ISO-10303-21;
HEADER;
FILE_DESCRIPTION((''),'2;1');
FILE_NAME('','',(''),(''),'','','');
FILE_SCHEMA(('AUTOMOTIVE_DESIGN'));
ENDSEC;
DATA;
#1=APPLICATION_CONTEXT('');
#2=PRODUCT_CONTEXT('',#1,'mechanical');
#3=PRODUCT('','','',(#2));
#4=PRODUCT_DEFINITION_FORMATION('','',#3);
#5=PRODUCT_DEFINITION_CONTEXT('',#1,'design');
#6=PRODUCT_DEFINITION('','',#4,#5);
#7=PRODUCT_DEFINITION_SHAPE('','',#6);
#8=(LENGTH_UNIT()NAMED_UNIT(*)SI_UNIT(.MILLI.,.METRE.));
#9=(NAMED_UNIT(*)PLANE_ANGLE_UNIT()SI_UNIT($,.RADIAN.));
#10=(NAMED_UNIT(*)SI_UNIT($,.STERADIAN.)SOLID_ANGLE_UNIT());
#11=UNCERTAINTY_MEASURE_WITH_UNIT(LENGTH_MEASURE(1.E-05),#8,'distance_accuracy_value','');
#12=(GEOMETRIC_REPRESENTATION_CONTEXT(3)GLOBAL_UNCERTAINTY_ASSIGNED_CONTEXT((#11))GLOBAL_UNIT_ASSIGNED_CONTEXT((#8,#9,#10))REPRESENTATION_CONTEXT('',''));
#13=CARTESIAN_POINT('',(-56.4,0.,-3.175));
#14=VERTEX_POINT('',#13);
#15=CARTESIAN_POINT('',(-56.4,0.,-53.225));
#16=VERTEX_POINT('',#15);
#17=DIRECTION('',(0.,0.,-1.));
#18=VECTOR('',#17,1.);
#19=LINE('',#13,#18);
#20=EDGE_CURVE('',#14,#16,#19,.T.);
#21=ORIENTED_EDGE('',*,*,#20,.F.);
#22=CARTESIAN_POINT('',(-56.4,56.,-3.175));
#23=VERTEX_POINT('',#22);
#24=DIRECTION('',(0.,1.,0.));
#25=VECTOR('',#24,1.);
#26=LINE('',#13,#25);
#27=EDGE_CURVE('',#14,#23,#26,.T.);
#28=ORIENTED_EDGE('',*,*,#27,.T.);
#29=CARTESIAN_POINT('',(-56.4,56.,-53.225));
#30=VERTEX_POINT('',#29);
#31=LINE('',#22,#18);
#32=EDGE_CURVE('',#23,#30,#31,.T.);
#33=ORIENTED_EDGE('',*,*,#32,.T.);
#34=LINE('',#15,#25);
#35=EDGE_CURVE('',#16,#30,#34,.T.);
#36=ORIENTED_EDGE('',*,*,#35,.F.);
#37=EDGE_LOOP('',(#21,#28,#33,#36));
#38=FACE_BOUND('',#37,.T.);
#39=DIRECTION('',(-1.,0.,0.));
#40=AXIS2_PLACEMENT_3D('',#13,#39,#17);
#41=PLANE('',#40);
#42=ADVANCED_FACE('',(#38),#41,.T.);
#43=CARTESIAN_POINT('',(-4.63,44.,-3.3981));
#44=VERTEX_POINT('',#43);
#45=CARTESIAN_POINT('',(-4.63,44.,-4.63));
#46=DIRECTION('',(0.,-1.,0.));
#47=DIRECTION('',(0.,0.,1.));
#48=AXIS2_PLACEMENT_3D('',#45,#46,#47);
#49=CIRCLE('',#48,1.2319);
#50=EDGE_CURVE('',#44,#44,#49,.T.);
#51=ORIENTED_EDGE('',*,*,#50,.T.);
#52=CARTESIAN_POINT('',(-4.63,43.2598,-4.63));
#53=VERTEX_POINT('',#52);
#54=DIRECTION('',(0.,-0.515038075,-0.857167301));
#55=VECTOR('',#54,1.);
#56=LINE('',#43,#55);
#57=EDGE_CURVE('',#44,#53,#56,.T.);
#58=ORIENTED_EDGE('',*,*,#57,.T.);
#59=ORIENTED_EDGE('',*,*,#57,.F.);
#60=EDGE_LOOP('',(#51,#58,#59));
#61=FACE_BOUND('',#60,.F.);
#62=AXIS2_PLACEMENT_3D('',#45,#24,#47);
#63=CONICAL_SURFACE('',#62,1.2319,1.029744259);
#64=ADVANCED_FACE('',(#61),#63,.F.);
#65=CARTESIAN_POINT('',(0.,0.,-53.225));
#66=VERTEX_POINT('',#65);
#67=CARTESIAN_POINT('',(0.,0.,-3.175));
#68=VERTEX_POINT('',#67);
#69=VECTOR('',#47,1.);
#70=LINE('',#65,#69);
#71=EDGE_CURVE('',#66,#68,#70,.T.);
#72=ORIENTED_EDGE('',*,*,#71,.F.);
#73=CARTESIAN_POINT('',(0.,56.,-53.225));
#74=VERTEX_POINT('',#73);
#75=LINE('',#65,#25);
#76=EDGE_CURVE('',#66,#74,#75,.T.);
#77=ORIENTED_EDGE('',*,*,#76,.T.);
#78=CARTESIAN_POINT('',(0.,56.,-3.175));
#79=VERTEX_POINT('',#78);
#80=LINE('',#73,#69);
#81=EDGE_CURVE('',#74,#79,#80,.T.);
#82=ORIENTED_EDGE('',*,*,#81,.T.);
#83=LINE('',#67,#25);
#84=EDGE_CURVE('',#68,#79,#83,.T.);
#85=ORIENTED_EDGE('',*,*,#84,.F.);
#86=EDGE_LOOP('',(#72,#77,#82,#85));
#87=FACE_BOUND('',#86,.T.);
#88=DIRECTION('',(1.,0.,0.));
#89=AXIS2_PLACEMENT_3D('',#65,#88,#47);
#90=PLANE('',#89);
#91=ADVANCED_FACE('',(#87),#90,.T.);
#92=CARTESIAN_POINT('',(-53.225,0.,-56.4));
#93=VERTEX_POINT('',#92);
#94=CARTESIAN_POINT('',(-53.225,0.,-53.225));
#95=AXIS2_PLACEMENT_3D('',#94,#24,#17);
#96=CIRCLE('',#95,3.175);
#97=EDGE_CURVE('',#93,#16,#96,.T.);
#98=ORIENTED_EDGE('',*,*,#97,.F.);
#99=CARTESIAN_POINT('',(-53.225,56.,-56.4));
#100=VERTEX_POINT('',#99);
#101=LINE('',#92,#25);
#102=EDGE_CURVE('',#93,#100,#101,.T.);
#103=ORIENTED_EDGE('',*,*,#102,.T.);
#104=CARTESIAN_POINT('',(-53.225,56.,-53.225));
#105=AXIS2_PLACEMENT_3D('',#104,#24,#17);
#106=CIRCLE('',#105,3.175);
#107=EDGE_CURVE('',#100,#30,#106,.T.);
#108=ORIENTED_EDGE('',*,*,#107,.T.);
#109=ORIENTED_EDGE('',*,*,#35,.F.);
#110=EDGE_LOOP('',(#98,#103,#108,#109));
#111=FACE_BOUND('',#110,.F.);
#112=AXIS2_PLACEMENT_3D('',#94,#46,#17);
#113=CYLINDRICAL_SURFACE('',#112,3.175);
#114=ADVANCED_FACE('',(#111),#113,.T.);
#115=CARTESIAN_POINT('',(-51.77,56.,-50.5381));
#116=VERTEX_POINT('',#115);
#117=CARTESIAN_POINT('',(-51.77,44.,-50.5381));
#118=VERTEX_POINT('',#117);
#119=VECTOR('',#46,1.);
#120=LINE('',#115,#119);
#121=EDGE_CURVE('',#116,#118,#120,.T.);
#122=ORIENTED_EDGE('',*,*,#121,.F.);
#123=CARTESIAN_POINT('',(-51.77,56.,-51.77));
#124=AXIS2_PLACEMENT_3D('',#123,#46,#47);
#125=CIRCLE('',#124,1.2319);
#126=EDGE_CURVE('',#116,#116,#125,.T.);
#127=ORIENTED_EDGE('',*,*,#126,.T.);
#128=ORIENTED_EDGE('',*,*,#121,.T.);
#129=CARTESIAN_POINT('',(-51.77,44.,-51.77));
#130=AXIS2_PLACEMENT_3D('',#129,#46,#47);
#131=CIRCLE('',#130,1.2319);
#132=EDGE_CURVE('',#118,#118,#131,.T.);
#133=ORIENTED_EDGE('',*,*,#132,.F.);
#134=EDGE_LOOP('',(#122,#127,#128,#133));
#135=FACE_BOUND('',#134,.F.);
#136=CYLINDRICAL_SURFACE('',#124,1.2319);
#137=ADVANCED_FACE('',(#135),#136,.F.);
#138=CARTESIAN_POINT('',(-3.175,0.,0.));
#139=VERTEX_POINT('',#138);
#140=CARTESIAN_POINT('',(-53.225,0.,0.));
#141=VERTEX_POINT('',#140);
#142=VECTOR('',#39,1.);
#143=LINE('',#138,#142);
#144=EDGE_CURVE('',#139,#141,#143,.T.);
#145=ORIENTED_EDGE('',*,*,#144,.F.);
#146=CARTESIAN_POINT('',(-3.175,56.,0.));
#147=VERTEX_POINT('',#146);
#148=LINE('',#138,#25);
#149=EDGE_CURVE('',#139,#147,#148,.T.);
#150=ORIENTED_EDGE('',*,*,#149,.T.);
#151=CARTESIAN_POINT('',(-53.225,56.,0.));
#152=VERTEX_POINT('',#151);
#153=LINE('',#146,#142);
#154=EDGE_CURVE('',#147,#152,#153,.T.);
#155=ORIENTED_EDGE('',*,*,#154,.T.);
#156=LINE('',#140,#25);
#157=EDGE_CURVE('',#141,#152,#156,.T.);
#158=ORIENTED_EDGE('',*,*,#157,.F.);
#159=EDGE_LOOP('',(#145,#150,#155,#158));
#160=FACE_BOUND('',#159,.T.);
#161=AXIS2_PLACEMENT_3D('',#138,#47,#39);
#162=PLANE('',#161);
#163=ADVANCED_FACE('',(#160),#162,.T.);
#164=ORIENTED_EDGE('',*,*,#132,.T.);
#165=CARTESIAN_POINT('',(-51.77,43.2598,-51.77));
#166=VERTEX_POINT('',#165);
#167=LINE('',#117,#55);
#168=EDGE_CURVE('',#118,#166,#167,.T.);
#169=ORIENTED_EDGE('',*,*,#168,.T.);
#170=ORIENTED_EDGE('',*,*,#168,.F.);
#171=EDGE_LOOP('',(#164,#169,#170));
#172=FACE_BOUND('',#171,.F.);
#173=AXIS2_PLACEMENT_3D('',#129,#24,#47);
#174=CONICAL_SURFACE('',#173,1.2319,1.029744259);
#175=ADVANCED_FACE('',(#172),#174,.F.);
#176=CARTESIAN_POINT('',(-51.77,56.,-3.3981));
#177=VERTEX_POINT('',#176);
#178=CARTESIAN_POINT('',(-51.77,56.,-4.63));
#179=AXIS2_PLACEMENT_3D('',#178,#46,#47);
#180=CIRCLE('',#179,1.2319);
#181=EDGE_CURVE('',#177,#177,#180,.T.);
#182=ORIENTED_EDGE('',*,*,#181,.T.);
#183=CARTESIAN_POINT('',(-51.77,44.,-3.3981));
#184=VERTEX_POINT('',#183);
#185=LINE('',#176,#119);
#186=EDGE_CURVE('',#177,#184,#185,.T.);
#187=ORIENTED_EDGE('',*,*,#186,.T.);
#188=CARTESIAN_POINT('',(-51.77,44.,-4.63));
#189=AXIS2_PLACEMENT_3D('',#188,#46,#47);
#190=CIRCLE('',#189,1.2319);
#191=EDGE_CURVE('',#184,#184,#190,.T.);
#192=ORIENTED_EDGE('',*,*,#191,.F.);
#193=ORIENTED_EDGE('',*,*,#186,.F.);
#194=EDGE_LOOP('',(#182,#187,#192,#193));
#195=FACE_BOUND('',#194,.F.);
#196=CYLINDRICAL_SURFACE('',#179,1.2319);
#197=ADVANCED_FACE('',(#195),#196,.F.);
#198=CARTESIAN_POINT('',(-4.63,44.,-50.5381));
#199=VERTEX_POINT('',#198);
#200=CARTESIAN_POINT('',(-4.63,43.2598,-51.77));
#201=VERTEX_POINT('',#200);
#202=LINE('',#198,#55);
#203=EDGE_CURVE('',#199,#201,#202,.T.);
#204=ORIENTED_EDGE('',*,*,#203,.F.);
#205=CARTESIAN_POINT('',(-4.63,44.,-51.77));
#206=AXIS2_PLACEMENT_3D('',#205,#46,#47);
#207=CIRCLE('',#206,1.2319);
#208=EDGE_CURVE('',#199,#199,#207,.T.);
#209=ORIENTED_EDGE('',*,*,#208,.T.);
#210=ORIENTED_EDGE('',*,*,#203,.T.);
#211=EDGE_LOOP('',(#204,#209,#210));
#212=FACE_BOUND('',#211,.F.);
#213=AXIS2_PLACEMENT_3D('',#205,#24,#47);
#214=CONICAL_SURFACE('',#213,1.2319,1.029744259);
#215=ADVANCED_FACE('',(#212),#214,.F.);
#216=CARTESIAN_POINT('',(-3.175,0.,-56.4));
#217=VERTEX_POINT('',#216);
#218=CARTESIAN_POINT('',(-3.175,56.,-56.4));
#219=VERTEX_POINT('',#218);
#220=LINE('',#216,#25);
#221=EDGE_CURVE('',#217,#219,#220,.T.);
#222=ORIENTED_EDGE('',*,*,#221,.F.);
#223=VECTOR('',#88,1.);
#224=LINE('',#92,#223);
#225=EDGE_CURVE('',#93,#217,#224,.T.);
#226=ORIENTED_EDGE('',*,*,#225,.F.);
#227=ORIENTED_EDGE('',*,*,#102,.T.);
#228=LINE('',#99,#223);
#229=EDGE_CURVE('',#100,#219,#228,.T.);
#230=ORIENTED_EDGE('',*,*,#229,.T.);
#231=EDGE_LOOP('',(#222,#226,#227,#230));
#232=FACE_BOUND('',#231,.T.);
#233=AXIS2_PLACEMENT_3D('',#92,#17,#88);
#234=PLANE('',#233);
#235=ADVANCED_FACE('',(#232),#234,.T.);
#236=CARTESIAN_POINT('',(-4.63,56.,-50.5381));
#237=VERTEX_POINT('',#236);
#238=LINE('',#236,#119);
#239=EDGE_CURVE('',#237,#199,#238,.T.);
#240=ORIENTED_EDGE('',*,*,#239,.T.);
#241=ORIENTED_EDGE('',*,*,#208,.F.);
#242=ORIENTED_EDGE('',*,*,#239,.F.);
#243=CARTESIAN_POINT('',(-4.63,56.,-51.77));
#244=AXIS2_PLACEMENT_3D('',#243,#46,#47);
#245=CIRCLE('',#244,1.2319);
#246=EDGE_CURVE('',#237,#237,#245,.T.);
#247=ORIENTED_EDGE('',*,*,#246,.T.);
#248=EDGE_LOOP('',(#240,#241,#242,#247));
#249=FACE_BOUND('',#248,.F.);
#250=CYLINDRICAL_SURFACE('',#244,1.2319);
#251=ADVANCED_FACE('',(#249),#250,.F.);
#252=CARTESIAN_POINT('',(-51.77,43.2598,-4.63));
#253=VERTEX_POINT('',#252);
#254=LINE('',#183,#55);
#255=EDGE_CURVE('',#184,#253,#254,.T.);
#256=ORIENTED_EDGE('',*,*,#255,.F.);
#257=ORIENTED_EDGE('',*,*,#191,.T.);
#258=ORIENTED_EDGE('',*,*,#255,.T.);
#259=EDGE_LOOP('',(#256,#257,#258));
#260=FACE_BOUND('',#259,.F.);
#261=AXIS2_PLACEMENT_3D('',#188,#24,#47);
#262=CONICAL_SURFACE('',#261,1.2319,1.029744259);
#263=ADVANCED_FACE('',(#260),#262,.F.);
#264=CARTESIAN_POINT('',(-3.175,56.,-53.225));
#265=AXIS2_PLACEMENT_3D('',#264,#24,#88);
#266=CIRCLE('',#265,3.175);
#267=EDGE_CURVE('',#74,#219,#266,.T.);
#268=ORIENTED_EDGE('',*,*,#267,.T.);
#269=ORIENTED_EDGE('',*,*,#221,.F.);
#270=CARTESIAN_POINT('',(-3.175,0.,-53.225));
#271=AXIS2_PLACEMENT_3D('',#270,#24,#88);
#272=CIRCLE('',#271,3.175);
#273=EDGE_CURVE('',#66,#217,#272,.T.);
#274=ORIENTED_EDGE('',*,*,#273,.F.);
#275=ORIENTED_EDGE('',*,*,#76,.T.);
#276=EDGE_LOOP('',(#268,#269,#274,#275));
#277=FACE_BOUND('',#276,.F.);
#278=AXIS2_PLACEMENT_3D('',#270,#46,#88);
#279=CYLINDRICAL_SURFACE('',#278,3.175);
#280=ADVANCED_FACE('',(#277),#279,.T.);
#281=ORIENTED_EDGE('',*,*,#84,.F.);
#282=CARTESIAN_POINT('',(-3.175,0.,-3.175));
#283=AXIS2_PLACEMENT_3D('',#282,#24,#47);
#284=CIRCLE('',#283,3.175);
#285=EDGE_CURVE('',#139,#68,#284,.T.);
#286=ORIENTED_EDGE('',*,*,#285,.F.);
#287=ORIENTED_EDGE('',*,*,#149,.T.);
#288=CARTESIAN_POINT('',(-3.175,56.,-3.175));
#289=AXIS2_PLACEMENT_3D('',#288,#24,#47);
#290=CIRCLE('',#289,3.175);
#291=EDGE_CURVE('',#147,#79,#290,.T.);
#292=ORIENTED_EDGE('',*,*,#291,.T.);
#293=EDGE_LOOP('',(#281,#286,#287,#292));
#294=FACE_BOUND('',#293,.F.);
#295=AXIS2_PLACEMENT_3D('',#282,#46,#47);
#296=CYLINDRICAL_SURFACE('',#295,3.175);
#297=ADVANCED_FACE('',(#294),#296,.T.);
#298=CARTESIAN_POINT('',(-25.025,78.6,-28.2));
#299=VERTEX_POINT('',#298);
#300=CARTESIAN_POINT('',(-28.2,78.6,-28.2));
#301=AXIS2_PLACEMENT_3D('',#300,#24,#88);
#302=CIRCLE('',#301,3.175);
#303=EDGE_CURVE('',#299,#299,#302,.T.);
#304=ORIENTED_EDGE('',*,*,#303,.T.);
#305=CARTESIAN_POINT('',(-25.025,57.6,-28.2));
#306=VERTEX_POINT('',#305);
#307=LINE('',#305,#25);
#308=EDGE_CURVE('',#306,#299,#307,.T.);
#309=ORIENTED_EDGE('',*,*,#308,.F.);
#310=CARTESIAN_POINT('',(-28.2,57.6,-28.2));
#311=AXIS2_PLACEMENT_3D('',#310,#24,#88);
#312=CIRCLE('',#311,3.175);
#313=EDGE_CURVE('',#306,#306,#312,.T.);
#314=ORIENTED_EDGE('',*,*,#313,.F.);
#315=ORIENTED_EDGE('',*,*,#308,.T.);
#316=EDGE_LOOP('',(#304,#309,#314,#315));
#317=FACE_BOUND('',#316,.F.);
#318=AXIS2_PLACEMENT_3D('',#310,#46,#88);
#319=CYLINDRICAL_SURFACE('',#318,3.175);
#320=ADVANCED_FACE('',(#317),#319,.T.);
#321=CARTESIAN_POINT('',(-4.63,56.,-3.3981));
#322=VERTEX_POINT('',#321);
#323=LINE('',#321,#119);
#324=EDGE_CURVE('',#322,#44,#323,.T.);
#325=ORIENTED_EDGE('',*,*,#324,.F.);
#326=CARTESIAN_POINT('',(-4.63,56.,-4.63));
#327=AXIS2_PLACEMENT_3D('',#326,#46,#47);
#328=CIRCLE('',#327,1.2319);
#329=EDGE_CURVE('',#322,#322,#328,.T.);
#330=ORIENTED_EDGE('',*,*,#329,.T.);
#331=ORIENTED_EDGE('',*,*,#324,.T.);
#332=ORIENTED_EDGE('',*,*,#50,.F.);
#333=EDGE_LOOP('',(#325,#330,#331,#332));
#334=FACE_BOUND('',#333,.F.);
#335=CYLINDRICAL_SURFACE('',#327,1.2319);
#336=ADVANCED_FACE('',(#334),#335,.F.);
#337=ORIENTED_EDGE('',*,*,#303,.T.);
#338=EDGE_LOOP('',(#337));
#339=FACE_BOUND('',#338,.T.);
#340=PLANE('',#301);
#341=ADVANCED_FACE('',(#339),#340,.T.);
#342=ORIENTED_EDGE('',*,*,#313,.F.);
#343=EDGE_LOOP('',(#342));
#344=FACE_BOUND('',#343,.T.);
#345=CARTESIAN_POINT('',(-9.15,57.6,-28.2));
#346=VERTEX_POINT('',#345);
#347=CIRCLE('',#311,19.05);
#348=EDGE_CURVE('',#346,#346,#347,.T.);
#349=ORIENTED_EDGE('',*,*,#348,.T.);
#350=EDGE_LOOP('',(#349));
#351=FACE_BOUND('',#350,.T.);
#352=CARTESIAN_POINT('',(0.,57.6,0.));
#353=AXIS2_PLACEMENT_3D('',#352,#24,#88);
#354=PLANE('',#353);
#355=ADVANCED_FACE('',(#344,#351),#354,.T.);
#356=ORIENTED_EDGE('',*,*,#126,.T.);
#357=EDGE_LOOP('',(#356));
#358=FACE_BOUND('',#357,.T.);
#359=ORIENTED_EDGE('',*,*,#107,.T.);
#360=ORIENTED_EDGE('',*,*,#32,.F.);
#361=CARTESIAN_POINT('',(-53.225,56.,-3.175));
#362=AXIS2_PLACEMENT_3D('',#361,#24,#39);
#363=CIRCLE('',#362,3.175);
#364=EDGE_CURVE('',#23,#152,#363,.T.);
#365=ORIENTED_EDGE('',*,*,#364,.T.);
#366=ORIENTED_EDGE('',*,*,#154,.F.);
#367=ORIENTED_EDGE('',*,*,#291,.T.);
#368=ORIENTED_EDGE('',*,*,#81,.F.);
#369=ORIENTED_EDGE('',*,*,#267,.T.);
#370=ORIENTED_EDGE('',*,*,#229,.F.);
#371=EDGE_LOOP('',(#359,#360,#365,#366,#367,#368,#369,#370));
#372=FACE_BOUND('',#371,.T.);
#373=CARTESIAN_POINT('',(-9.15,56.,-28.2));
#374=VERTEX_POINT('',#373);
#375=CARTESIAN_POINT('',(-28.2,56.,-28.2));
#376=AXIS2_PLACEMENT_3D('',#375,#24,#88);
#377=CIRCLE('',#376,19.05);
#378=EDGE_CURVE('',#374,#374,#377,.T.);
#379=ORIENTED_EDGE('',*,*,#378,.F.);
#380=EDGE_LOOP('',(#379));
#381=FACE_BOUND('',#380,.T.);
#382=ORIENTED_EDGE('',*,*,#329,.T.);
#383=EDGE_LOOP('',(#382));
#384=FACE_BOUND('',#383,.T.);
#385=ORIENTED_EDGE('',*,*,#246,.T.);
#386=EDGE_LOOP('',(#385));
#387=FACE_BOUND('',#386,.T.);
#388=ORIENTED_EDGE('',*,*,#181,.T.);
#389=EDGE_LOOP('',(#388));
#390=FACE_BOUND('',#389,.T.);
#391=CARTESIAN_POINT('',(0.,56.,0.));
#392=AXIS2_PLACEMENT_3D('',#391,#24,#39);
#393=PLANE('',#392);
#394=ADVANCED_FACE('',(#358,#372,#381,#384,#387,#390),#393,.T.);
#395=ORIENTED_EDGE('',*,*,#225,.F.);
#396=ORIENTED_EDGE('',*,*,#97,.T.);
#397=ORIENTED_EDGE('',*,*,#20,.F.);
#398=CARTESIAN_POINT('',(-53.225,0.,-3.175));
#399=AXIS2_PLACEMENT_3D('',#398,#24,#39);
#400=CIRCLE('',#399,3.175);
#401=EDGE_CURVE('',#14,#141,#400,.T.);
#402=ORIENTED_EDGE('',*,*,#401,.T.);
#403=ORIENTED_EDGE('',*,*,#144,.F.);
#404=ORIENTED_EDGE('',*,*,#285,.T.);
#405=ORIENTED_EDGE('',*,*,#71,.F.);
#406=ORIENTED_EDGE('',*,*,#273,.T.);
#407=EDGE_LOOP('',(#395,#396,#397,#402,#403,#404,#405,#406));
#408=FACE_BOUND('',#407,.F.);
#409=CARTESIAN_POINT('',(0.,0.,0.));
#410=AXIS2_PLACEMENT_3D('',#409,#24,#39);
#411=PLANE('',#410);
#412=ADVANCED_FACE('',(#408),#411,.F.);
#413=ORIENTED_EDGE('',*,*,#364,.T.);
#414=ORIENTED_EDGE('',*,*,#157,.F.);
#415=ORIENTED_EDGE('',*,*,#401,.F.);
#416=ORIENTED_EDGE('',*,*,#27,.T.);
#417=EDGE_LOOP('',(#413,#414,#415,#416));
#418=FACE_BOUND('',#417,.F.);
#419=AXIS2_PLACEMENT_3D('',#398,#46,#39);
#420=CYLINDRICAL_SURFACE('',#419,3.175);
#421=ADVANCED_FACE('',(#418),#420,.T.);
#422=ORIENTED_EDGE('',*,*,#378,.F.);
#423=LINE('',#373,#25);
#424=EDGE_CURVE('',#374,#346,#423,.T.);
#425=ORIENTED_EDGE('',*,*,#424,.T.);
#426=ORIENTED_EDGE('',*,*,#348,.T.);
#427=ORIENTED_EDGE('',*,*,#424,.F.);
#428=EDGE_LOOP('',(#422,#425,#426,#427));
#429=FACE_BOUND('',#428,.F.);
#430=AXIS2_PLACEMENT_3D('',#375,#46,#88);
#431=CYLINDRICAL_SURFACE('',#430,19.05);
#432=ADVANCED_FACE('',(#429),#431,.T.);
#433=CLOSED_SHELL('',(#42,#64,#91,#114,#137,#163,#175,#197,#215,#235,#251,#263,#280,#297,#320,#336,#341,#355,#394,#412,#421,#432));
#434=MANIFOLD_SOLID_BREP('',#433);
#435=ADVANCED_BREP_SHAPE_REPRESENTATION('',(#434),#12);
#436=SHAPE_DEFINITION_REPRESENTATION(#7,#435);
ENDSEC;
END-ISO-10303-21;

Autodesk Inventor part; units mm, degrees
ref_plane "YZ Plane" through (0, 0, 0) normal (1, 0, 0) x (0, 1, 0)
ref_plane "XZ Plane" through (0, 0, 0) normal (0, 1, 0) x (-1, 0, 0)
ref_plane "XY Plane" through (0, 0, 0) normal (0, 0, 1) x (1, 0, 0)
sketch "Sketch1" plane through (0, 0, 0) normal (0, 1, 0) x (-1, 0, 0)
  line L0 (3.175, 0) -> (53.225, 0)
  line L1 (56.4, -3.175) -> (56.4, -53.225)
  line L2 (53.225, -56.4) -> (3.175, -56.4)
  line L3 (0, -53.225) -> (0, -3.175)
  arc A0 (56.4, -3.175) -> (53.225, 0) centre (53.225, -3.175) ccw
  arc A1 (3.175, 0) -> (0, -3.175) centre (3.175, -3.175) ccw
  arc A2 (0, -53.225) -> (3.175, -56.4) centre (3.175, -53.225) ccw
  arc A3 (53.225, -56.4) -> (56.4, -53.225) centre (53.225, -53.225) ccw
  point P0 (0, 0)
  point P1 (56.4, -56.4)
  point P2 (56.4, 0)
  point P3 (0, -56.4)
  dimension "d0" = 56.4
  dimension "d1" = 56.4
  dimension "d2" = 3.175
extrude "Extrusion1" add sketch "Sketch1" along normal blind 56
sketch "Sketch2" plane through (0, 56, 0) normal (0, 1, 0) x (1, 0, 0)
  line L0 (0, 0) -> (-56.4, 0) construction
  line L1 (-56.4, 0) -> (-56.4, 56.4) construction
  line L2 (-56.4, 56.4) -> (0, 56.4) construction
  line L3 (0, 56.4) -> (0, 0) construction
  line L4 (-56.4, 0) -> (0, 56.4) construction
  line L5 (-4.63, 4.63) -> (-51.77, 4.63) construction
  line L6 (-51.77, 4.63) -> (-51.77, 51.77) construction
  line L7 (-51.77, 51.77) -> (-4.63, 51.77) construction
  line L8 (-4.63, 51.77) -> (-4.63, 4.63) construction
  line L9 (-4.63, 4.63) -> (-51.77, 51.77) construction
  line L10 (-51.77, 4.63) -> (-4.63, 51.77) construction
  circle A0 centre (-51.8006, 4.5994) radius 2.5
  circle A1 centre (-51.77, 51.77) radius 2.5
  circle A2 centre (-4.63, 51.77) radius 2.5
  circle A3 centre (-4.63, 4.63) radius 2.5
  point P0 (-28.2, 28.2)
  dimension "d5" = 47.14
  dimension "d6" = 47.14
  dimension "d7" = 5
  dimension "d8" = 5
  dimension "d9" = 5
  dimension "d10" = 5
hole "Hole1" at (-51.77, 56, -51.77) at (-4.63, 56, -51.77) at (-51.77, 56, -4.63) at (-4.63, 56, -4.63) direction (0, -1, 0) diameter 2.4638 depth 12 tip angle 118
sketch "Sketch3" plane through (0, 56, 0) normal (0, 1, 0) x (1, 0, 0)
  line L0 (0, 0) -> (-56.4, 56.4) construction
  circle A0 centre (-28.2, 28.2) radius 19.05
  dimension "d18" = 38.1
extrude "Extrusion2" add sketch "Sketch3" along normal blind 1.6
sketch "Sketch4" plane through (-28.2, 57.6, -28.2) normal (0, 1, 0) x (1, 0, 0)
  circle A0 centre (0, 0) radius 3.175
  point P0 (28.2, -28.2)
  dimension "d21" = 6.35
extrude "Extrusion3" add sketch "Sketch4" along normal blind 21
properties part number "NEMA23 Motor"
